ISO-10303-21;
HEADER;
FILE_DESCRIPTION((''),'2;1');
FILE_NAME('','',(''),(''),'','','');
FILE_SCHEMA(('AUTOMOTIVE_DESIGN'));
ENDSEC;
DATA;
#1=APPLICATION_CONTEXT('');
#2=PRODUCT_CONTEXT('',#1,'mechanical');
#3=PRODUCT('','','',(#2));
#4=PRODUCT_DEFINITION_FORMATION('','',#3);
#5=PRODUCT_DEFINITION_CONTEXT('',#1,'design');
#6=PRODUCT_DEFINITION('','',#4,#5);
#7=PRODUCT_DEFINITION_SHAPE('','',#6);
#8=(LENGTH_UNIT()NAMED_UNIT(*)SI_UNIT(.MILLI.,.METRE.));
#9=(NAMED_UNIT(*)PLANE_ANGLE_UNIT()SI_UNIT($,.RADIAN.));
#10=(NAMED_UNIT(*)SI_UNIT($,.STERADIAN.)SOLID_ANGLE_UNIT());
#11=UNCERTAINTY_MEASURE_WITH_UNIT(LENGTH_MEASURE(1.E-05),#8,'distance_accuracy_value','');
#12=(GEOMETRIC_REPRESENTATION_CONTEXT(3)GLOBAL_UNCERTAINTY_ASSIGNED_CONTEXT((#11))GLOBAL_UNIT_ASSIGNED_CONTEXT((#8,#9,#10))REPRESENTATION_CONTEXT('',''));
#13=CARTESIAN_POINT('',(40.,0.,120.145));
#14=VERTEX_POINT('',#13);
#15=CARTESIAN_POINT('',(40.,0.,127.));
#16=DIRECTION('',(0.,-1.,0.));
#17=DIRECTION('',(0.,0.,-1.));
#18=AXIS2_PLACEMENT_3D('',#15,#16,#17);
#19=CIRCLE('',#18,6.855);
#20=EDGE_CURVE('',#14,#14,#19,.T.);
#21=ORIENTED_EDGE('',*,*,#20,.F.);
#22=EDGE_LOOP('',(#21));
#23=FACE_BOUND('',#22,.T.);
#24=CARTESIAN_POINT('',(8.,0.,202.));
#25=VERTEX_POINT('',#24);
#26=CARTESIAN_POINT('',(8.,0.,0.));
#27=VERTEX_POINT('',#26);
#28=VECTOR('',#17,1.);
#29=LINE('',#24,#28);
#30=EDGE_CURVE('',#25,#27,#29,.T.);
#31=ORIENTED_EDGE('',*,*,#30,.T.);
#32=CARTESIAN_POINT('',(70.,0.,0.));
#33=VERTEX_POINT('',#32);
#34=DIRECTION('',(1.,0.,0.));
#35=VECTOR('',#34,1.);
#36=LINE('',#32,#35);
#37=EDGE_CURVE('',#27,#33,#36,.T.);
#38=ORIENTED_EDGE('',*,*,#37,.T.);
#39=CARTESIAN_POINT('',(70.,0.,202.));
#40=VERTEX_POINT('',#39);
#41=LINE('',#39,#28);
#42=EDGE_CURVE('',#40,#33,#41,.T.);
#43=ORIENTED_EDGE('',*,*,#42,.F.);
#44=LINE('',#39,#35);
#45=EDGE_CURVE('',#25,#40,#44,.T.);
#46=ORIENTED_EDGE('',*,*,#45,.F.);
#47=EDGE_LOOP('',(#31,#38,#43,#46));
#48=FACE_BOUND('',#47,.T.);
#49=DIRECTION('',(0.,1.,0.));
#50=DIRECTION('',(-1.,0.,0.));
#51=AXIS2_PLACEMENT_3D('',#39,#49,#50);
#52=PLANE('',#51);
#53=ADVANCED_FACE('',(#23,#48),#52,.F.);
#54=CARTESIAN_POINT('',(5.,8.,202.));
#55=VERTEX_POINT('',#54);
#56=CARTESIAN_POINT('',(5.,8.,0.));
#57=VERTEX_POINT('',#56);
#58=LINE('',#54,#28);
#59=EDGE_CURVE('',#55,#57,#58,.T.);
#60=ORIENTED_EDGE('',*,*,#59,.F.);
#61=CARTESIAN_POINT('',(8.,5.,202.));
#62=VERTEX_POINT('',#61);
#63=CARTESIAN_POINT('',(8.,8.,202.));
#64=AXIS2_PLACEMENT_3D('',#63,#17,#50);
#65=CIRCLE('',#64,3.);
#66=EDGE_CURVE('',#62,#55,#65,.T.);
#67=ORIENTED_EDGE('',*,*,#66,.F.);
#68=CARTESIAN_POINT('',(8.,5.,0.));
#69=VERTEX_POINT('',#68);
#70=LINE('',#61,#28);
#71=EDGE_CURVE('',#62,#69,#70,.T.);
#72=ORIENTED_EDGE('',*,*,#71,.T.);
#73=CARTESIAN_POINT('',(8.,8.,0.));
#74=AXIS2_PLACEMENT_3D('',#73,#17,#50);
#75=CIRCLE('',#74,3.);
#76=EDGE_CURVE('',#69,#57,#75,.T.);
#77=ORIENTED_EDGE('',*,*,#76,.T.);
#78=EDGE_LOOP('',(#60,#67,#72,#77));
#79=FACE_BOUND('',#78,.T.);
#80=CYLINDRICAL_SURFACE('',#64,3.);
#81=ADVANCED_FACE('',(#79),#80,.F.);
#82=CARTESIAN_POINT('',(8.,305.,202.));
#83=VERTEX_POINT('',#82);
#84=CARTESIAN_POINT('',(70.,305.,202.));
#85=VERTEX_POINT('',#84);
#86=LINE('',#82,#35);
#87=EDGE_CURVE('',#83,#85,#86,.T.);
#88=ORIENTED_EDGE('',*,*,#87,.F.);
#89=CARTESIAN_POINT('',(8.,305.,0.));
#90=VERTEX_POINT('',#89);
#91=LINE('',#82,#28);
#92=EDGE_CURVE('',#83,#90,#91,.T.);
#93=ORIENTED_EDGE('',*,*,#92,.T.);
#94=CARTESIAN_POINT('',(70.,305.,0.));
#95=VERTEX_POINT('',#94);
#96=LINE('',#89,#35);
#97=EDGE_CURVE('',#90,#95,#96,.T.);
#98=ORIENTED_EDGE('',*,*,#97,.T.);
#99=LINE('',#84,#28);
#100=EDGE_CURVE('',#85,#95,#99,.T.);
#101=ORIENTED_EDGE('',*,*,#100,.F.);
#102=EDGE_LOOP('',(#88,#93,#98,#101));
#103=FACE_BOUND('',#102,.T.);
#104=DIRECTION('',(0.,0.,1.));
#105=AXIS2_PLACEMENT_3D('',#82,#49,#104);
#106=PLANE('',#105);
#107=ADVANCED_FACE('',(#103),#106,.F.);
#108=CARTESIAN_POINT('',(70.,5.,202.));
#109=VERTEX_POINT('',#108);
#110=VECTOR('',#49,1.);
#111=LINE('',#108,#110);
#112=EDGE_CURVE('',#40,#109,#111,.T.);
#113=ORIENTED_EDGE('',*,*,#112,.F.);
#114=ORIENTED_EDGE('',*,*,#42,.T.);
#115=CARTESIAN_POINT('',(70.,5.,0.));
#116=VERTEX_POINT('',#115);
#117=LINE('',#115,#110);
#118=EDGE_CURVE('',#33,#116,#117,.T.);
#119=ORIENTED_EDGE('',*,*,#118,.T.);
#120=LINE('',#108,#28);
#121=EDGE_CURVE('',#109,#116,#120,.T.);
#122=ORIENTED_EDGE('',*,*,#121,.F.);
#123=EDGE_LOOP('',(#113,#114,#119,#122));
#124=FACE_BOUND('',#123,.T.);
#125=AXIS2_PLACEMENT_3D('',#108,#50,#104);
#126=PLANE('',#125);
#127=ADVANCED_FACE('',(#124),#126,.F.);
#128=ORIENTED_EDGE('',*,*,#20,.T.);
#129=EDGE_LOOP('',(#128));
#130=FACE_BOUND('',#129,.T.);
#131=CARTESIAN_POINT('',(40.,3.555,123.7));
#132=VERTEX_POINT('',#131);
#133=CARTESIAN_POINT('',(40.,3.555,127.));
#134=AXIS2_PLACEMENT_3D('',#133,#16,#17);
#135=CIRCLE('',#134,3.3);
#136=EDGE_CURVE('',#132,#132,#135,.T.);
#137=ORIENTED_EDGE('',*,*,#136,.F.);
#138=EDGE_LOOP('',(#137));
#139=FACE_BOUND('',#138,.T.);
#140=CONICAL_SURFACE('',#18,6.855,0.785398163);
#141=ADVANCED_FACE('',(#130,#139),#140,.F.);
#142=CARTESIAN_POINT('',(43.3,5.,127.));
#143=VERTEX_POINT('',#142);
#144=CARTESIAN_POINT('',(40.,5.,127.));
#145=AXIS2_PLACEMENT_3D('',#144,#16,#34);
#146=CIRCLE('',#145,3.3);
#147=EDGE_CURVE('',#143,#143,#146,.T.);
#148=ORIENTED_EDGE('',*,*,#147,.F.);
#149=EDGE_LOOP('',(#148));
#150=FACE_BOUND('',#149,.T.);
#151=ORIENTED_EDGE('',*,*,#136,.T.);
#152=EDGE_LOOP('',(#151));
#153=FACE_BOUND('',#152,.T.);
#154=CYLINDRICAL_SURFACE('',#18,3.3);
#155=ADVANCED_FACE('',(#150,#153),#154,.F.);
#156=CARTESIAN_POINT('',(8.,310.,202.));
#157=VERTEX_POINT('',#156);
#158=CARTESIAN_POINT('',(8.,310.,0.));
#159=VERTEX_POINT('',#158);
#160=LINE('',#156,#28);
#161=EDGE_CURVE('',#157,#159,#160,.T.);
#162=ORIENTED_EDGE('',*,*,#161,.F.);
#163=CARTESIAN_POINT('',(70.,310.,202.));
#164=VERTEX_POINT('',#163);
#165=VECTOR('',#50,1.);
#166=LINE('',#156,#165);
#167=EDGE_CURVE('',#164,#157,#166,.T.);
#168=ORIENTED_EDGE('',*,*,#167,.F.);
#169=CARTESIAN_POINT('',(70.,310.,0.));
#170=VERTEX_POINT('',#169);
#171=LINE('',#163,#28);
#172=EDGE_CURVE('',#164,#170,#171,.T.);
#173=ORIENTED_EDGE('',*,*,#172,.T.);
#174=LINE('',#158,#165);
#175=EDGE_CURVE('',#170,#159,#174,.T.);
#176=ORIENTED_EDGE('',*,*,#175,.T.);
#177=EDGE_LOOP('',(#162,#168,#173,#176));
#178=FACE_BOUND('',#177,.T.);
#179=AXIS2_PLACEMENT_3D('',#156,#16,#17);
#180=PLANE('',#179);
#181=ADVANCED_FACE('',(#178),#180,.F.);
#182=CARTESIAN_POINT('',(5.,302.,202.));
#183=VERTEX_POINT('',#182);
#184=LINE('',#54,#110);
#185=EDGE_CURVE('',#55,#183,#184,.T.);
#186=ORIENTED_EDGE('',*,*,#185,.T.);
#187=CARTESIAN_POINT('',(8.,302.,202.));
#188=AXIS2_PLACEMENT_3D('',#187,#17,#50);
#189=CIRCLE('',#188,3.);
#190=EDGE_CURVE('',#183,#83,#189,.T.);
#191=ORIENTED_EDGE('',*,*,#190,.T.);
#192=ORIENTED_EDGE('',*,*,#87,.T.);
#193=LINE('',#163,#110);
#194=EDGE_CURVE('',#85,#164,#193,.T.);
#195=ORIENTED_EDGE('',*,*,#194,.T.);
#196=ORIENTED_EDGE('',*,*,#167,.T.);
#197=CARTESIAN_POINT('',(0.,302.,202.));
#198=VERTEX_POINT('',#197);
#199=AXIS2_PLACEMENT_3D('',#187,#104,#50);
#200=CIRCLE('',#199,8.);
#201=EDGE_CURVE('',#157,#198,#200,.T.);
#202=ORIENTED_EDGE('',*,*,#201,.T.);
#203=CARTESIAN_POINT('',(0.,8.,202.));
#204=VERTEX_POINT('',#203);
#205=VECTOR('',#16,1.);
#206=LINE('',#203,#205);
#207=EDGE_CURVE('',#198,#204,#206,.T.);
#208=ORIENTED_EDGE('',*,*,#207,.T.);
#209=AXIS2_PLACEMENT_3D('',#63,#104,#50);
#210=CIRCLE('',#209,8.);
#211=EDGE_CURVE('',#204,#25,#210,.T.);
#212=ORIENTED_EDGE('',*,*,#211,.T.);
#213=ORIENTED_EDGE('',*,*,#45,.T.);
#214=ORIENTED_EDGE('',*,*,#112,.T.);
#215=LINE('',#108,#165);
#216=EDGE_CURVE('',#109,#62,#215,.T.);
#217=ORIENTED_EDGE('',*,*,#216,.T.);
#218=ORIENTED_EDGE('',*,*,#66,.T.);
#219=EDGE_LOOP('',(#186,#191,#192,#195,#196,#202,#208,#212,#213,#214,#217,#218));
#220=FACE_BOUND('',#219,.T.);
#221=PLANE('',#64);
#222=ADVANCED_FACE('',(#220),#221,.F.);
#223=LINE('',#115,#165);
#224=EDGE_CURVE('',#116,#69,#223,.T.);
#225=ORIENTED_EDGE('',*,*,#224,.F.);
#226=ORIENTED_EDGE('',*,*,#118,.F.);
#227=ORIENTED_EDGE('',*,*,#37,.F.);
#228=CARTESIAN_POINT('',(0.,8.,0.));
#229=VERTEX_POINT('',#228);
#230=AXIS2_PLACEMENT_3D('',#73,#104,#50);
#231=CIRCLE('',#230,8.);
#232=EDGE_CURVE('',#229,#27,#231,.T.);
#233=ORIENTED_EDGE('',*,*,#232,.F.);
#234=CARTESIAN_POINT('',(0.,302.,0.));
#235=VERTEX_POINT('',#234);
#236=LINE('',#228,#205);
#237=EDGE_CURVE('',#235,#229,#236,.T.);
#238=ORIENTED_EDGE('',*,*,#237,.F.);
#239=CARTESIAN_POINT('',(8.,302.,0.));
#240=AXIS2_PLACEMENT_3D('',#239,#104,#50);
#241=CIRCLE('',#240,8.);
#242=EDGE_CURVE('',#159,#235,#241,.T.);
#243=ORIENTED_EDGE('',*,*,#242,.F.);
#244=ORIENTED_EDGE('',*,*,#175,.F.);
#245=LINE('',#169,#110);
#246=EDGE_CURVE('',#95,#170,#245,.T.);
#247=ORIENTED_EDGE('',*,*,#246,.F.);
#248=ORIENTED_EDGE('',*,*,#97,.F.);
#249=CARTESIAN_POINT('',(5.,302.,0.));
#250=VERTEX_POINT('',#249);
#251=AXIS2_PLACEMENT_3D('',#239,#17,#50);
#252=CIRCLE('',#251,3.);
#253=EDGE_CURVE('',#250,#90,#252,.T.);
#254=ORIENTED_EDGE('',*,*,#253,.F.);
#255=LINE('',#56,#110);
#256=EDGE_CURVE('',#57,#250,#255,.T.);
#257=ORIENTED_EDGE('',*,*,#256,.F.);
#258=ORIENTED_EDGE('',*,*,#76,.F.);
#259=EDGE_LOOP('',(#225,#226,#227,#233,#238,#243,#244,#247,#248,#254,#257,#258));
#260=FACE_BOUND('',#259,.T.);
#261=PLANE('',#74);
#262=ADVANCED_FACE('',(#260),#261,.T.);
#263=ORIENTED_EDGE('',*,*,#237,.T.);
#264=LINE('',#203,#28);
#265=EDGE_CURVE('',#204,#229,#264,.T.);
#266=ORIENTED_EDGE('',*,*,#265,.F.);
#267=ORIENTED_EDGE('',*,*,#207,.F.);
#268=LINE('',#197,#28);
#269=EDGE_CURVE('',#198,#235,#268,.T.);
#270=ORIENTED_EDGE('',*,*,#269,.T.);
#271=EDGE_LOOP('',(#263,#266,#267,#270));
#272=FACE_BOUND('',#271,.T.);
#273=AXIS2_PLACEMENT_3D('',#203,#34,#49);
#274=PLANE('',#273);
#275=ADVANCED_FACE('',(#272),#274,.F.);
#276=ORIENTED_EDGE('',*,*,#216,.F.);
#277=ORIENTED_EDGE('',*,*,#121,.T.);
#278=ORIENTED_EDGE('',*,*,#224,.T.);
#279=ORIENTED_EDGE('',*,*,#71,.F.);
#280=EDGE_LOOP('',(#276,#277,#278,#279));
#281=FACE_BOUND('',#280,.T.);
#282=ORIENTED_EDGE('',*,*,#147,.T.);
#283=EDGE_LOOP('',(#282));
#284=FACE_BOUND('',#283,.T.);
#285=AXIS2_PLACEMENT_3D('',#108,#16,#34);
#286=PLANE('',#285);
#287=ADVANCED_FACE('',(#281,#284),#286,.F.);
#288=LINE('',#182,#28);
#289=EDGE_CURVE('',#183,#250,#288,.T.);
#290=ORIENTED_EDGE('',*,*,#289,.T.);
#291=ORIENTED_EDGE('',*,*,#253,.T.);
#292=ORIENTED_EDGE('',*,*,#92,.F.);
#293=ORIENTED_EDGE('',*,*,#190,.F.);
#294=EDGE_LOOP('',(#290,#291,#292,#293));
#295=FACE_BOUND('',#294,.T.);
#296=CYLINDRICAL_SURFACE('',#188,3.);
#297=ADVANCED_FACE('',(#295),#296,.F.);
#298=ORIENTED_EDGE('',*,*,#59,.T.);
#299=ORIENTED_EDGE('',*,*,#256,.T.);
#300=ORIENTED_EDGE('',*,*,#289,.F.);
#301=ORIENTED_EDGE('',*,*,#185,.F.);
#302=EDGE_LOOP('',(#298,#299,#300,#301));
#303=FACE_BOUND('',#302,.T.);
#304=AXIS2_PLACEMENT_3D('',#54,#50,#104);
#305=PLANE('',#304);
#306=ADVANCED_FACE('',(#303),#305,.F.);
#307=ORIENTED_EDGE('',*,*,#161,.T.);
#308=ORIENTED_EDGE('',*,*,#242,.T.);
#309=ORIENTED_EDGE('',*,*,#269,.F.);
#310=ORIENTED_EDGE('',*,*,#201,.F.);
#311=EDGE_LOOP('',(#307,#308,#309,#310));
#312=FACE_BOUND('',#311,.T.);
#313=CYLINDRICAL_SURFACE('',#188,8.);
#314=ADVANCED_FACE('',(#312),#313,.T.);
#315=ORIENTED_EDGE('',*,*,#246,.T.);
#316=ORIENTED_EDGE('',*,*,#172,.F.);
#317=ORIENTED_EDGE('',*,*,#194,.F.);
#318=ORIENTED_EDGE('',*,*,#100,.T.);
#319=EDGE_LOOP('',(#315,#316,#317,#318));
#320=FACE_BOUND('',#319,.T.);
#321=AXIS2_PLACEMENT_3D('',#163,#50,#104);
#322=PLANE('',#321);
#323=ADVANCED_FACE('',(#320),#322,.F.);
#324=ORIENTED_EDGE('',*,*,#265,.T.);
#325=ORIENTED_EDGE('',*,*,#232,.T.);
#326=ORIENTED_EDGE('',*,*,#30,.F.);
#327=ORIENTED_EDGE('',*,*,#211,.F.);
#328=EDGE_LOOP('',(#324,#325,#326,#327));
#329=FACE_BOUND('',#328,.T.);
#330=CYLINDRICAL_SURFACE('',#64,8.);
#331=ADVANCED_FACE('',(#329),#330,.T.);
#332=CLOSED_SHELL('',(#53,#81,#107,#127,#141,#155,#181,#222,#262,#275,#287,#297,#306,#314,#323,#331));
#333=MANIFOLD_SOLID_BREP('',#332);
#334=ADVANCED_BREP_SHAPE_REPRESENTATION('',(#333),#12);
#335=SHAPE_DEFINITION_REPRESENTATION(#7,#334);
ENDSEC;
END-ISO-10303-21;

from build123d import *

# Parameters (mm, degrees)
EXTRUDE_1_DEPTH             = 202
HOLE_WIZARD_M61_D           = 6.6
HOLE_WIZARD_M61_DEPTH       = 10
HOLE_WIZARD_M61_CSINK_D     = 13.71
HOLE_WIZARD_M61_CSINK_ANGLE = 90
HOLE_WIZARD_M61_TIP         = 1.982840043


with BuildPart() as part:
    # Эскиз1 → Бобышка-Вытянуть1 (new body)
    with BuildSketch(Plane.XY):
        with BuildLine():
            Line((70, 0), (8, 0))
            ThreePointArc((8, 0), (2.343145751, 2.343145751), (0, 8))
            Line((0, 8), (0, 302))
            ThreePointArc((0, 302), (2.343145751, 307.656854249), (8, 310))
            Line((8, 310), (70, 310))
            Line((70, 310), (70, 305))
            Line((70, 305), (8, 305))
            ThreePointArc((8, 305), (5.878679656, 304.121320344), (5, 302))
            Line((5, 302), (5, 8))
            ThreePointArc((5, 8), (5.878679656, 5.878679656), (8, 5))
            Line((8, 5), (70, 5))
            Line((70, 5), (70, 0))
        make_face()
    extrude(amount=EXTRUDE_1_DEPTH)

    # Зенковка для винта с потайной головкой и внутренним шестигранником M61
    with Locations(Plane.XZ):
        with Locations((40, 127)):
            CounterSinkHole(HOLE_WIZARD_M61_D / 2, HOLE_WIZARD_M61_CSINK_D / 2, depth=HOLE_WIZARD_M61_DEPTH, counter_sink_angle=HOLE_WIZARD_M61_CSINK_ANGLE)
            with Locations((0, 0, -(HOLE_WIZARD_M61_DEPTH + HOLE_WIZARD_M61_TIP / 2))):  # 118° drill point
                Cone(0, HOLE_WIZARD_M61_D / 2, HOLE_WIZARD_M61_TIP, mode=Mode.SUBTRACT)


solid = part.part
